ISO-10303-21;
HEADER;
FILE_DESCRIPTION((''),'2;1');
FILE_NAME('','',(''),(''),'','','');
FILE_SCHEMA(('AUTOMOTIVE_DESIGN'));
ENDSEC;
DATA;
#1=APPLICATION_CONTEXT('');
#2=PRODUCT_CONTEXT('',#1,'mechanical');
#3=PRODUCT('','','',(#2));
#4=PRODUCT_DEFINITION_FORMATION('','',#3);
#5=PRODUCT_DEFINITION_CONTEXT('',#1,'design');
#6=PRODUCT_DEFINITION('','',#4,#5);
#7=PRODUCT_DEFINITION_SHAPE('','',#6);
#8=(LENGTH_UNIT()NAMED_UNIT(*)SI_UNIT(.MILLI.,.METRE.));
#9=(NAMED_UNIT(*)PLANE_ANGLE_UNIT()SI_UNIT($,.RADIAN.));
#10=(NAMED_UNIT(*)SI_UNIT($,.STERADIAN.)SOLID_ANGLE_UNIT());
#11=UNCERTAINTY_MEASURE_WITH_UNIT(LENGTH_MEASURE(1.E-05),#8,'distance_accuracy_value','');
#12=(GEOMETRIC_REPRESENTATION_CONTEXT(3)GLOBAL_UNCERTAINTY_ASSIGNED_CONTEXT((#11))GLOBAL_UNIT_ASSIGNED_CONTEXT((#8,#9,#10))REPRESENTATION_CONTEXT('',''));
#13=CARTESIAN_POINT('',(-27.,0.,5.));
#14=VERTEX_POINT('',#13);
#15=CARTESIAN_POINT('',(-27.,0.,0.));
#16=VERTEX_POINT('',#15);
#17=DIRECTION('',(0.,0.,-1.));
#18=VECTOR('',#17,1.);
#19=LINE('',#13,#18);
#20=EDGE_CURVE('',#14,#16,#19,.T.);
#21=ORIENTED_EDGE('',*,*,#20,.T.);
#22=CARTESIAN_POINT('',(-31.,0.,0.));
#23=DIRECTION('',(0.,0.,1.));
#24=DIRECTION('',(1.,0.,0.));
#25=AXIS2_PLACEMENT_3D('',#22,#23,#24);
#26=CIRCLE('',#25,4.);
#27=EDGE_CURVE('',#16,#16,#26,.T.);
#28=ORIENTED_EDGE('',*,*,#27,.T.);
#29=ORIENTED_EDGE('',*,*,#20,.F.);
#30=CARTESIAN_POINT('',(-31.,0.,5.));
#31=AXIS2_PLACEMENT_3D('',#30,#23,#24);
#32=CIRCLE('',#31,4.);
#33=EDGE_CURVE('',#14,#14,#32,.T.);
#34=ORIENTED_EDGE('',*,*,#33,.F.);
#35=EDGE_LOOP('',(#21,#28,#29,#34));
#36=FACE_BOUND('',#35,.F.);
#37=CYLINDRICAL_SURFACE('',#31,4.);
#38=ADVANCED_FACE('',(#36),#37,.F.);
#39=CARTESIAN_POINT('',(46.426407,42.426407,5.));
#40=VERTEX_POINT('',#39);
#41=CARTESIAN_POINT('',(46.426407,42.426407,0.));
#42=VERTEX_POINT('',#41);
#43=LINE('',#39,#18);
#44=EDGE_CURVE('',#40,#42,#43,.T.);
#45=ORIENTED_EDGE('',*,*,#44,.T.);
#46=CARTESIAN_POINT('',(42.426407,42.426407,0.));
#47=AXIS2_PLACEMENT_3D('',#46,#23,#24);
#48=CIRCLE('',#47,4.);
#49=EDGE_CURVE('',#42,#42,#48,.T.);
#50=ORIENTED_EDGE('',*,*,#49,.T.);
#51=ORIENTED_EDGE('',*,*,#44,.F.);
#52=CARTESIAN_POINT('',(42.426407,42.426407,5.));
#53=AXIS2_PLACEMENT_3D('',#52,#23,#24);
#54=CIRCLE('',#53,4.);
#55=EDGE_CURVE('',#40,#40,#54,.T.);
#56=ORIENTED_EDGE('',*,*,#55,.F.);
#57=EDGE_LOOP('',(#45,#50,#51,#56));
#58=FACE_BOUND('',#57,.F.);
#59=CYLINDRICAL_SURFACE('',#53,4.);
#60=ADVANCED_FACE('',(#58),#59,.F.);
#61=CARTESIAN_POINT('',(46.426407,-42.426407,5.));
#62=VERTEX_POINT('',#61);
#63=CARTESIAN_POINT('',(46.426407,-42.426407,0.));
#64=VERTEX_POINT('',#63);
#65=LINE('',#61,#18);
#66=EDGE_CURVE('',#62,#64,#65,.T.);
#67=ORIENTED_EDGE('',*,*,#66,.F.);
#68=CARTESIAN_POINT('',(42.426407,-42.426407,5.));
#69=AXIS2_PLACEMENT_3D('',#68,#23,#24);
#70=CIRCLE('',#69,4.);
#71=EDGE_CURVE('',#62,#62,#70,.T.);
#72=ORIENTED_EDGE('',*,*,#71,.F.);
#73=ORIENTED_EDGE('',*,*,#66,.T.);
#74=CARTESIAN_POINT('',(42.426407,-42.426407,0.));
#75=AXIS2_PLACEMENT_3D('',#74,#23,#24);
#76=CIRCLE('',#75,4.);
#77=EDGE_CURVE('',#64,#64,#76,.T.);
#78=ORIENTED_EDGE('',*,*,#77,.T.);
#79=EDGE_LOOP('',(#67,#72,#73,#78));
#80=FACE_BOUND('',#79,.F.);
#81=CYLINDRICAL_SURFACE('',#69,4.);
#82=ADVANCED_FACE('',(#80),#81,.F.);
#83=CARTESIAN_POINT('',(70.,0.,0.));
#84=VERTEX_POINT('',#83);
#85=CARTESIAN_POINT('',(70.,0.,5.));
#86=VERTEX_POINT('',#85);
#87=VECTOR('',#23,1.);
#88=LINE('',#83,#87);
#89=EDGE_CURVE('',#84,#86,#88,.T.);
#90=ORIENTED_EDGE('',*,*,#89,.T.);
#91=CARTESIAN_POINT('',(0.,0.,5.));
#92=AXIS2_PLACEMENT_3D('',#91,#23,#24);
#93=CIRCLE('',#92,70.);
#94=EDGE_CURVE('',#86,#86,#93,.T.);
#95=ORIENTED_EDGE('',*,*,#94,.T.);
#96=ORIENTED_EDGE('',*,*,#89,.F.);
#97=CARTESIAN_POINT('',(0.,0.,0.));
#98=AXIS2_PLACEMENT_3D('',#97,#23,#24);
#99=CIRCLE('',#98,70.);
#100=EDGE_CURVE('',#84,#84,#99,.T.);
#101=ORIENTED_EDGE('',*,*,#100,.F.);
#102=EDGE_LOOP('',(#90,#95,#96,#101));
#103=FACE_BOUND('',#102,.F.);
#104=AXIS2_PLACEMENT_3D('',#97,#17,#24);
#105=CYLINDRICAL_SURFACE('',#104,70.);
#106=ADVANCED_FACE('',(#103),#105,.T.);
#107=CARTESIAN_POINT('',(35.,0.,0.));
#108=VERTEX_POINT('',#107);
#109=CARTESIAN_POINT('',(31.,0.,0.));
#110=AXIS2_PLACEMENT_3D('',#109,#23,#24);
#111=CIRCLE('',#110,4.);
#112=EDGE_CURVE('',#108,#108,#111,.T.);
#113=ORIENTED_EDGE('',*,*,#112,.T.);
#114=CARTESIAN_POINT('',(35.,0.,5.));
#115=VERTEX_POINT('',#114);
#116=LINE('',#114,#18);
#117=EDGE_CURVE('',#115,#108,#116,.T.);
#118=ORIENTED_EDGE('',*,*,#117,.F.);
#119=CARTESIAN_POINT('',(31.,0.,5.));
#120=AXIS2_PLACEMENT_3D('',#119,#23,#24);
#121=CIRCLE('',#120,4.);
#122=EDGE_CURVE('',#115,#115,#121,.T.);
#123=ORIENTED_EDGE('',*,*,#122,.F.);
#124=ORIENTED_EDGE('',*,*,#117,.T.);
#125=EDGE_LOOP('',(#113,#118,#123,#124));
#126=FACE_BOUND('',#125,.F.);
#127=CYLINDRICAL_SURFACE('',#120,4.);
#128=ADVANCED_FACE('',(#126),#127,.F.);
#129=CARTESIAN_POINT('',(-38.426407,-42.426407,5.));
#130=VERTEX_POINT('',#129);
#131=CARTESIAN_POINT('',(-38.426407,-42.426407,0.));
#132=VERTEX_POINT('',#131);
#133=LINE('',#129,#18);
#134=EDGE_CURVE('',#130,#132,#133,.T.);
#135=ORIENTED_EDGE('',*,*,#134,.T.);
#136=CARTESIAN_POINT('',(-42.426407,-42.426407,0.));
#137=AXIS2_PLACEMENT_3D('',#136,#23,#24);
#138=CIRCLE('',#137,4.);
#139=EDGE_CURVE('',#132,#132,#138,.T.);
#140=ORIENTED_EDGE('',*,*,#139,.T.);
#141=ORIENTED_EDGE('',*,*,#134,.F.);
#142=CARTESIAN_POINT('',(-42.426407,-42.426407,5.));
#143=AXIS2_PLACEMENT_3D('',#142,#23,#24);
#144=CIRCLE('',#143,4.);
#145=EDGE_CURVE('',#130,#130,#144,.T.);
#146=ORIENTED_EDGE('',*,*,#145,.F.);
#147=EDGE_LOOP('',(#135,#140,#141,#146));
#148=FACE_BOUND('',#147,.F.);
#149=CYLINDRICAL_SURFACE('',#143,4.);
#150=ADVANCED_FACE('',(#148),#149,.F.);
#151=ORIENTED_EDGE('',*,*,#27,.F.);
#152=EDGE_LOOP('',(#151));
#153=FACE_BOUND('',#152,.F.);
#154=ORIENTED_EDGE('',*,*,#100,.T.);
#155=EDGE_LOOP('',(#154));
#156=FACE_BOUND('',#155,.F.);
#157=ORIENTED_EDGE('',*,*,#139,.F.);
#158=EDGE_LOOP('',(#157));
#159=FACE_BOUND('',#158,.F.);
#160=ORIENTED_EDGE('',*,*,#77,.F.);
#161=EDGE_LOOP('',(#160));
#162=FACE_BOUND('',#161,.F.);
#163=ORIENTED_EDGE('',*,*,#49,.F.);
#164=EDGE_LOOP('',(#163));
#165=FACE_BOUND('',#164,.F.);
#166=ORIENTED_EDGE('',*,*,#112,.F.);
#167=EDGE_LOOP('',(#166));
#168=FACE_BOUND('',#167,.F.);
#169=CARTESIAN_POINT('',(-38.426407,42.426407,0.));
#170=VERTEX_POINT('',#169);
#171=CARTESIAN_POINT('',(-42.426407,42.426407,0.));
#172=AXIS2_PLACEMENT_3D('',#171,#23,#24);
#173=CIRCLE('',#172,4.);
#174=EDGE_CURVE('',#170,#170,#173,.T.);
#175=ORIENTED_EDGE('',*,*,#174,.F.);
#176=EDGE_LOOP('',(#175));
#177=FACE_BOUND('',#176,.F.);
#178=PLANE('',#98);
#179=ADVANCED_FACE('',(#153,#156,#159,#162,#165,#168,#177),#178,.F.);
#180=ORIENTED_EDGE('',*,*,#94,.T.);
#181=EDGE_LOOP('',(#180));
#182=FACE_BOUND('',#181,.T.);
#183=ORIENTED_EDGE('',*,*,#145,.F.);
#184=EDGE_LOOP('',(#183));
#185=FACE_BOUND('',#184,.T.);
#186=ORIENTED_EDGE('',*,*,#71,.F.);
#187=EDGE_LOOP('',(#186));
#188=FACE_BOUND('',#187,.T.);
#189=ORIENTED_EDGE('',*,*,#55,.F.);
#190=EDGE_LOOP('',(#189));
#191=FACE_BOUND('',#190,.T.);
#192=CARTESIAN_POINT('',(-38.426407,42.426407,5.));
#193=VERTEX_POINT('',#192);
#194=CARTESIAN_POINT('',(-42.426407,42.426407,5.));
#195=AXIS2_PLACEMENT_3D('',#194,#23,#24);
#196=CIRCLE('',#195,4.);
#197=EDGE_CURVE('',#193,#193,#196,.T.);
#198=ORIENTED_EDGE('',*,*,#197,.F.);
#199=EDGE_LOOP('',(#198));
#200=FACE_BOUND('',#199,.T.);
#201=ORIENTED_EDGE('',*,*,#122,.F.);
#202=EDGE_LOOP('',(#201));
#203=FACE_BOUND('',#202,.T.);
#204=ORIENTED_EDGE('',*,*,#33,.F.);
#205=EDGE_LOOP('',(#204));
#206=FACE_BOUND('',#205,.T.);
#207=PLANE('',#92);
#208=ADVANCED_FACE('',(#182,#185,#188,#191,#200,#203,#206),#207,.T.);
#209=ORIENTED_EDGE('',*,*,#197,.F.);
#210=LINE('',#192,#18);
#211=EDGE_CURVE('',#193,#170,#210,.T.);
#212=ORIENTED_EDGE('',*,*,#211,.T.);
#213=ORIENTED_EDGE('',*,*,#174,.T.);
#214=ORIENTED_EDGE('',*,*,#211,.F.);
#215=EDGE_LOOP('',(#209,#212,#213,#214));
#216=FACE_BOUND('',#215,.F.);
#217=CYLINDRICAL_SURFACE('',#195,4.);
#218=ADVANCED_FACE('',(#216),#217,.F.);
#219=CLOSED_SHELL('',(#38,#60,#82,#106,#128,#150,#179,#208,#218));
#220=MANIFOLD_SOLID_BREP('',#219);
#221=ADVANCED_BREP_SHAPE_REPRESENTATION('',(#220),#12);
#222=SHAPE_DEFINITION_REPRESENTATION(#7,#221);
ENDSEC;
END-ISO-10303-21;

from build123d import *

# Parameters (mm, degrees)
SKETCH_R        = 70
PAD_DEPTH       = 5
SKETCH001_R     = 4
POCKET_DEPTH    = 5
SKETCH002_R     = 4
POCKET001_DEPTH = 5


with BuildPart() as part:
    # Sketch → Pad (new body)
    with BuildSketch(Plane.XY):
        Circle(SKETCH_R)
    extrude(amount=PAD_DEPTH)

    # Sketch001 → Pocket (cut)
    with BuildSketch(Plane.XY.offset(5)):
        with Locations((-42.426407, 42.426407)):
            Circle(SKETCH001_R)
        with Locations((42.426407, 42.426407)):
            Circle(SKETCH001_R)
        with Locations((42.426407, -42.426407)):
            Circle(SKETCH001_R)
        with Locations((-42.426407, -42.426407)):
            Circle(SKETCH001_R)
    extrude(amount=-POCKET_DEPTH, mode=Mode.SUBTRACT)

    # Sketch002 → Pocket001 (cut)
    with BuildSketch(Plane.XY.offset(5)):
        with Locations((-31, 0)):
            Circle(SKETCH002_R)
        with Locations((31, 0)):
            Circle(SKETCH002_R)
    extrude(amount=-POCKET001_DEPTH, mode=Mode.SUBTRACT)


solid = part.part
